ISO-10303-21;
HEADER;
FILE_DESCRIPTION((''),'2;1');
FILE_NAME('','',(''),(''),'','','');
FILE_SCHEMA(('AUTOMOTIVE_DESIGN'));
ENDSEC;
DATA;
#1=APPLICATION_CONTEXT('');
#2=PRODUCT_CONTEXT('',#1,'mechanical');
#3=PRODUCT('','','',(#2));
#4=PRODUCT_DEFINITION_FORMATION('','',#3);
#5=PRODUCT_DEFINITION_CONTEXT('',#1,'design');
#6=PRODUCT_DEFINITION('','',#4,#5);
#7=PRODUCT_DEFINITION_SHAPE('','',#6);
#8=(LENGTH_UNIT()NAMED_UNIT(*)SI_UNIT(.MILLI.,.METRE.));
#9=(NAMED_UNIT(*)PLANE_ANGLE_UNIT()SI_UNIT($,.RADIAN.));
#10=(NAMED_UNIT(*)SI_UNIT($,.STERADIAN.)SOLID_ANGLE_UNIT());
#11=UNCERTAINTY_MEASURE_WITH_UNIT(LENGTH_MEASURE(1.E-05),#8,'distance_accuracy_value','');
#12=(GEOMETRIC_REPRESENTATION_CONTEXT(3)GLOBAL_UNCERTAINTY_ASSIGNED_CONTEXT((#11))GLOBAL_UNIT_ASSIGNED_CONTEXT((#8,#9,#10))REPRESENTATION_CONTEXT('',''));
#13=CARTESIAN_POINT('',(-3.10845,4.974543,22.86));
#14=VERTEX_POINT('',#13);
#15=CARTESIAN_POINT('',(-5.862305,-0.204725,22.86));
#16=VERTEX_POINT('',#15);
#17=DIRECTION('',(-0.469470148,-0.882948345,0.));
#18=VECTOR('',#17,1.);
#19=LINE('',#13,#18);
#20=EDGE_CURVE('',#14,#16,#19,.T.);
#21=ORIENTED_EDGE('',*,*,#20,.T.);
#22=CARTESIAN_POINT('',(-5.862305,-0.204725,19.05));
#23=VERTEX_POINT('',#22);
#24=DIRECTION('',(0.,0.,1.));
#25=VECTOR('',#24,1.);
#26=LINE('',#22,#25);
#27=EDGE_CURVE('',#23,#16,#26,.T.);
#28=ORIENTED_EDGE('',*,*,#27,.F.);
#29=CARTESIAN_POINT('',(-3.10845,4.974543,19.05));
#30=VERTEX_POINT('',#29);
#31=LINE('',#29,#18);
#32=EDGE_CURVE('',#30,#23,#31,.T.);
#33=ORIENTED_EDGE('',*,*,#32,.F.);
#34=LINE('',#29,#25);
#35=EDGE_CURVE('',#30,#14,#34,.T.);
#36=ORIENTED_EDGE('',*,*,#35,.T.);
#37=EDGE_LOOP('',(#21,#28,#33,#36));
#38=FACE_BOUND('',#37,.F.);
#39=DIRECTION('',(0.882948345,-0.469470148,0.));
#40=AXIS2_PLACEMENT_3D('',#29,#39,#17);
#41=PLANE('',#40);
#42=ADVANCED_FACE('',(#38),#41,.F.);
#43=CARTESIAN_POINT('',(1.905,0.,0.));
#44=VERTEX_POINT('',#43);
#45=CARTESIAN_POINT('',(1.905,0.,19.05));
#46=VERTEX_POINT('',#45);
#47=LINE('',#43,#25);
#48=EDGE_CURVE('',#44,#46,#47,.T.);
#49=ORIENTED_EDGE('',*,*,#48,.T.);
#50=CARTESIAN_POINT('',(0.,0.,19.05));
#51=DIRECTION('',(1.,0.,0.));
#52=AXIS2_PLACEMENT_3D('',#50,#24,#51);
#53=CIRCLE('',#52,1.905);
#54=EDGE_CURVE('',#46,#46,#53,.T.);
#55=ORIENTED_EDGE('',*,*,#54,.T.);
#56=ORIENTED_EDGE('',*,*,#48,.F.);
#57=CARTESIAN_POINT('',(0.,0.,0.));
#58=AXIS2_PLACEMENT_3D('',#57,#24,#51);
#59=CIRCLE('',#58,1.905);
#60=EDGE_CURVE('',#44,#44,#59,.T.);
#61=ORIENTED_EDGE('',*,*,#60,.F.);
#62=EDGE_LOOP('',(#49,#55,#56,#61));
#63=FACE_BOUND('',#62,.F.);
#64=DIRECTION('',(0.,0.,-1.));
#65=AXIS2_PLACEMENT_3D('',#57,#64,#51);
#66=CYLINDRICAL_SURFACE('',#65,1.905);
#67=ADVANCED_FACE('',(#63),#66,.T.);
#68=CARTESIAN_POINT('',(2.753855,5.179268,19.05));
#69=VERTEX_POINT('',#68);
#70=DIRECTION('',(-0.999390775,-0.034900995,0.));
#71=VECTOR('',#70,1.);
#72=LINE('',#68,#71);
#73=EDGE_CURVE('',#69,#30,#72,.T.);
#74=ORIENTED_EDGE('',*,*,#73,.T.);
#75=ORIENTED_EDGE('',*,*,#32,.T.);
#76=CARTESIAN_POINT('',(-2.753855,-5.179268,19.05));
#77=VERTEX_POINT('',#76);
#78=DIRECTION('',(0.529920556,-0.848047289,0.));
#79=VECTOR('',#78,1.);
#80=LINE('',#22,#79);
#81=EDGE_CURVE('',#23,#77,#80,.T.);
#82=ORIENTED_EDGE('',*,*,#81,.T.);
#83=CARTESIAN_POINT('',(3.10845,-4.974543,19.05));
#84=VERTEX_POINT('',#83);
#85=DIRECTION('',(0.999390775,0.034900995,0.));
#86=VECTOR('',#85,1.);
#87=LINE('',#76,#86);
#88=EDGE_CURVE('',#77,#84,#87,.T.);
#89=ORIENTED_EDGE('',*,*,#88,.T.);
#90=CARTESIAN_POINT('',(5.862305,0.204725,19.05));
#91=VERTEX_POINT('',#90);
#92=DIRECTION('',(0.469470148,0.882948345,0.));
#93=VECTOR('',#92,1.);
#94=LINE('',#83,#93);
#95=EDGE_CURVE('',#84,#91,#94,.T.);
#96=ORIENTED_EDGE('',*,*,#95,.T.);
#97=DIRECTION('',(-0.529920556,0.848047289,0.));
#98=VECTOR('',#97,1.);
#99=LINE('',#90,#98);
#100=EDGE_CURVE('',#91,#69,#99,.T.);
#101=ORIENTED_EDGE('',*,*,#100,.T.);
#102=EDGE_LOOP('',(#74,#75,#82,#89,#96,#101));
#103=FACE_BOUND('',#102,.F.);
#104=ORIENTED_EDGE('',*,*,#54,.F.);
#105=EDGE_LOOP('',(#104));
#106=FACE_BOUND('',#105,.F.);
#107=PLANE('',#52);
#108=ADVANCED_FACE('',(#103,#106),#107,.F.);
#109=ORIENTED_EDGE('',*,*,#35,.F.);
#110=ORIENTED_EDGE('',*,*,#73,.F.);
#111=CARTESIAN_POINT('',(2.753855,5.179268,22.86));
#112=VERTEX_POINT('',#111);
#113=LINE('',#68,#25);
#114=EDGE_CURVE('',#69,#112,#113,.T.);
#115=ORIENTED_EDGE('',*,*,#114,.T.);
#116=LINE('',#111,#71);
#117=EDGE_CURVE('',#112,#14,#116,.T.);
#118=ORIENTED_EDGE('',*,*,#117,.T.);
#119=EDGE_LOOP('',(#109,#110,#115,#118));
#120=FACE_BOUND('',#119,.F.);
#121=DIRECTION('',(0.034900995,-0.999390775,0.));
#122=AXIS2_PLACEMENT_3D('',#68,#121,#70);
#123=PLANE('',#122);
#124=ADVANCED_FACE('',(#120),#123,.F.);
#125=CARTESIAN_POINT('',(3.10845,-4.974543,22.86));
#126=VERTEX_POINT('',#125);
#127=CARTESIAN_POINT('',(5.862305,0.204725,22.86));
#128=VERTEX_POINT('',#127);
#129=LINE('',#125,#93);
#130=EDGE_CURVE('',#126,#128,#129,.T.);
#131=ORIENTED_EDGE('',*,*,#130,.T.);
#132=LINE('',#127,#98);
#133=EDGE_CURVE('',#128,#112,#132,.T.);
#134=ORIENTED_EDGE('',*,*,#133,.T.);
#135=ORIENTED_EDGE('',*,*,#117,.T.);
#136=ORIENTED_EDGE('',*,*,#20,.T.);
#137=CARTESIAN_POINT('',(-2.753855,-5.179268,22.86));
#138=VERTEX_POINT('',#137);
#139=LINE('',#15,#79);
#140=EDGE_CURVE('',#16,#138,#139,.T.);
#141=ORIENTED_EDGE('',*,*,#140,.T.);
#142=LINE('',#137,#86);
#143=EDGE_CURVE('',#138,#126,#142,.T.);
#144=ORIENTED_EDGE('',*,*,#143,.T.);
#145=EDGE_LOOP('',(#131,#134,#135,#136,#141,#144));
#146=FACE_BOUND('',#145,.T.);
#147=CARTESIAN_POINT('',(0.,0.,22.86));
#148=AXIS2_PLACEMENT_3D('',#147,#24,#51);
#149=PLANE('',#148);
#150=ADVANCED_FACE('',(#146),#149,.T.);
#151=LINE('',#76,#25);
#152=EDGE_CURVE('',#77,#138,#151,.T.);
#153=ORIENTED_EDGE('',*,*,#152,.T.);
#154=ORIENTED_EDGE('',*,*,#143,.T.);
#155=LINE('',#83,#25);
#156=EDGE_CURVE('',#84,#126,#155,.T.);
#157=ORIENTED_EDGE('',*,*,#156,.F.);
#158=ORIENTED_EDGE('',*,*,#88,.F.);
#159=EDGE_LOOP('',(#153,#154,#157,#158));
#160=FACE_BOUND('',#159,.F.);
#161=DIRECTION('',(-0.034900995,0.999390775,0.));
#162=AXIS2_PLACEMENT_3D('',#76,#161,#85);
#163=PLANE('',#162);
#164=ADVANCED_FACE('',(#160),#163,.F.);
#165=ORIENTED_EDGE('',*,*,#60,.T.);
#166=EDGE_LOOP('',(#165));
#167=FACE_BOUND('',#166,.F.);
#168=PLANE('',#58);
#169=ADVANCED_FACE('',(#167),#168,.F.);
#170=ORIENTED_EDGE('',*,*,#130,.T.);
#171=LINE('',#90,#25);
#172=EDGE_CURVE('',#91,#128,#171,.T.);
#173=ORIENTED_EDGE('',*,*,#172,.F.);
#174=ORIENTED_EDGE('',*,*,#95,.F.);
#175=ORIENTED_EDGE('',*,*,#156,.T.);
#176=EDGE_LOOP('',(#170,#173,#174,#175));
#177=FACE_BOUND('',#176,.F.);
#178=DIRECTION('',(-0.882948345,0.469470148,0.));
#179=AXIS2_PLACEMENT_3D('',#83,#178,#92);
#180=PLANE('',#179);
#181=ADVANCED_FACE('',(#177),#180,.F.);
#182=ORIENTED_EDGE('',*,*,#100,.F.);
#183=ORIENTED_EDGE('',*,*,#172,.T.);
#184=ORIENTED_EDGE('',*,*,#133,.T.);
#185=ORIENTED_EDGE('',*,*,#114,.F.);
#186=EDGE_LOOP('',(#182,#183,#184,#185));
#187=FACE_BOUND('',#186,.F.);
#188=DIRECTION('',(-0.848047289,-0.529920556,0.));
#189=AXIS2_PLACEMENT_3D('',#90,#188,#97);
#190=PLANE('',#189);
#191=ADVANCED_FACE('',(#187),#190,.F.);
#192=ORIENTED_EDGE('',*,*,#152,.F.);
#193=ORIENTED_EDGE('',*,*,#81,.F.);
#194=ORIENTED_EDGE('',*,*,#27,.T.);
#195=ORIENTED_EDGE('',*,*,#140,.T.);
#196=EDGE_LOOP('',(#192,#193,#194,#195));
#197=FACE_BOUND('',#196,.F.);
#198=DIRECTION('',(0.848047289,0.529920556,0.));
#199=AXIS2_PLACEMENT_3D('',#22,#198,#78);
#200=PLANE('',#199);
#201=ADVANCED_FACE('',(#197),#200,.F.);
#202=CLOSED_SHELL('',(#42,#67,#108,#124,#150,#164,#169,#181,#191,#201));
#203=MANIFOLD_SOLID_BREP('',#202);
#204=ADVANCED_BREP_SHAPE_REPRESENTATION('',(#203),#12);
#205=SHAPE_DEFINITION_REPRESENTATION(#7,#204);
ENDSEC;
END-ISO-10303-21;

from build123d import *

# Parameters (mm, degrees)
F0_R     = 1.905
F1_DEPTH = 19.05
F3_DEPTH = 3.81


with BuildPart() as f1:
    # F0 (on Top) → F1 (new body)
    with BuildSketch(Plane.XY):
        Circle(F0_R)
    extrude(amount=F1_DEPTH)

    # F2 (on face) → F3 (join)
    with BuildSketch(Plane.XY.offset(19.05)):
        Polygon((5.862305, 0.204725), (2.753855, 5.179268), (-3.10845, 4.974543), (-5.862305, -0.204725), (-2.753855, -5.179268), (3.10845, -4.974543), align=None)
    extrude(amount=F3_DEPTH)


solid = f1.part
